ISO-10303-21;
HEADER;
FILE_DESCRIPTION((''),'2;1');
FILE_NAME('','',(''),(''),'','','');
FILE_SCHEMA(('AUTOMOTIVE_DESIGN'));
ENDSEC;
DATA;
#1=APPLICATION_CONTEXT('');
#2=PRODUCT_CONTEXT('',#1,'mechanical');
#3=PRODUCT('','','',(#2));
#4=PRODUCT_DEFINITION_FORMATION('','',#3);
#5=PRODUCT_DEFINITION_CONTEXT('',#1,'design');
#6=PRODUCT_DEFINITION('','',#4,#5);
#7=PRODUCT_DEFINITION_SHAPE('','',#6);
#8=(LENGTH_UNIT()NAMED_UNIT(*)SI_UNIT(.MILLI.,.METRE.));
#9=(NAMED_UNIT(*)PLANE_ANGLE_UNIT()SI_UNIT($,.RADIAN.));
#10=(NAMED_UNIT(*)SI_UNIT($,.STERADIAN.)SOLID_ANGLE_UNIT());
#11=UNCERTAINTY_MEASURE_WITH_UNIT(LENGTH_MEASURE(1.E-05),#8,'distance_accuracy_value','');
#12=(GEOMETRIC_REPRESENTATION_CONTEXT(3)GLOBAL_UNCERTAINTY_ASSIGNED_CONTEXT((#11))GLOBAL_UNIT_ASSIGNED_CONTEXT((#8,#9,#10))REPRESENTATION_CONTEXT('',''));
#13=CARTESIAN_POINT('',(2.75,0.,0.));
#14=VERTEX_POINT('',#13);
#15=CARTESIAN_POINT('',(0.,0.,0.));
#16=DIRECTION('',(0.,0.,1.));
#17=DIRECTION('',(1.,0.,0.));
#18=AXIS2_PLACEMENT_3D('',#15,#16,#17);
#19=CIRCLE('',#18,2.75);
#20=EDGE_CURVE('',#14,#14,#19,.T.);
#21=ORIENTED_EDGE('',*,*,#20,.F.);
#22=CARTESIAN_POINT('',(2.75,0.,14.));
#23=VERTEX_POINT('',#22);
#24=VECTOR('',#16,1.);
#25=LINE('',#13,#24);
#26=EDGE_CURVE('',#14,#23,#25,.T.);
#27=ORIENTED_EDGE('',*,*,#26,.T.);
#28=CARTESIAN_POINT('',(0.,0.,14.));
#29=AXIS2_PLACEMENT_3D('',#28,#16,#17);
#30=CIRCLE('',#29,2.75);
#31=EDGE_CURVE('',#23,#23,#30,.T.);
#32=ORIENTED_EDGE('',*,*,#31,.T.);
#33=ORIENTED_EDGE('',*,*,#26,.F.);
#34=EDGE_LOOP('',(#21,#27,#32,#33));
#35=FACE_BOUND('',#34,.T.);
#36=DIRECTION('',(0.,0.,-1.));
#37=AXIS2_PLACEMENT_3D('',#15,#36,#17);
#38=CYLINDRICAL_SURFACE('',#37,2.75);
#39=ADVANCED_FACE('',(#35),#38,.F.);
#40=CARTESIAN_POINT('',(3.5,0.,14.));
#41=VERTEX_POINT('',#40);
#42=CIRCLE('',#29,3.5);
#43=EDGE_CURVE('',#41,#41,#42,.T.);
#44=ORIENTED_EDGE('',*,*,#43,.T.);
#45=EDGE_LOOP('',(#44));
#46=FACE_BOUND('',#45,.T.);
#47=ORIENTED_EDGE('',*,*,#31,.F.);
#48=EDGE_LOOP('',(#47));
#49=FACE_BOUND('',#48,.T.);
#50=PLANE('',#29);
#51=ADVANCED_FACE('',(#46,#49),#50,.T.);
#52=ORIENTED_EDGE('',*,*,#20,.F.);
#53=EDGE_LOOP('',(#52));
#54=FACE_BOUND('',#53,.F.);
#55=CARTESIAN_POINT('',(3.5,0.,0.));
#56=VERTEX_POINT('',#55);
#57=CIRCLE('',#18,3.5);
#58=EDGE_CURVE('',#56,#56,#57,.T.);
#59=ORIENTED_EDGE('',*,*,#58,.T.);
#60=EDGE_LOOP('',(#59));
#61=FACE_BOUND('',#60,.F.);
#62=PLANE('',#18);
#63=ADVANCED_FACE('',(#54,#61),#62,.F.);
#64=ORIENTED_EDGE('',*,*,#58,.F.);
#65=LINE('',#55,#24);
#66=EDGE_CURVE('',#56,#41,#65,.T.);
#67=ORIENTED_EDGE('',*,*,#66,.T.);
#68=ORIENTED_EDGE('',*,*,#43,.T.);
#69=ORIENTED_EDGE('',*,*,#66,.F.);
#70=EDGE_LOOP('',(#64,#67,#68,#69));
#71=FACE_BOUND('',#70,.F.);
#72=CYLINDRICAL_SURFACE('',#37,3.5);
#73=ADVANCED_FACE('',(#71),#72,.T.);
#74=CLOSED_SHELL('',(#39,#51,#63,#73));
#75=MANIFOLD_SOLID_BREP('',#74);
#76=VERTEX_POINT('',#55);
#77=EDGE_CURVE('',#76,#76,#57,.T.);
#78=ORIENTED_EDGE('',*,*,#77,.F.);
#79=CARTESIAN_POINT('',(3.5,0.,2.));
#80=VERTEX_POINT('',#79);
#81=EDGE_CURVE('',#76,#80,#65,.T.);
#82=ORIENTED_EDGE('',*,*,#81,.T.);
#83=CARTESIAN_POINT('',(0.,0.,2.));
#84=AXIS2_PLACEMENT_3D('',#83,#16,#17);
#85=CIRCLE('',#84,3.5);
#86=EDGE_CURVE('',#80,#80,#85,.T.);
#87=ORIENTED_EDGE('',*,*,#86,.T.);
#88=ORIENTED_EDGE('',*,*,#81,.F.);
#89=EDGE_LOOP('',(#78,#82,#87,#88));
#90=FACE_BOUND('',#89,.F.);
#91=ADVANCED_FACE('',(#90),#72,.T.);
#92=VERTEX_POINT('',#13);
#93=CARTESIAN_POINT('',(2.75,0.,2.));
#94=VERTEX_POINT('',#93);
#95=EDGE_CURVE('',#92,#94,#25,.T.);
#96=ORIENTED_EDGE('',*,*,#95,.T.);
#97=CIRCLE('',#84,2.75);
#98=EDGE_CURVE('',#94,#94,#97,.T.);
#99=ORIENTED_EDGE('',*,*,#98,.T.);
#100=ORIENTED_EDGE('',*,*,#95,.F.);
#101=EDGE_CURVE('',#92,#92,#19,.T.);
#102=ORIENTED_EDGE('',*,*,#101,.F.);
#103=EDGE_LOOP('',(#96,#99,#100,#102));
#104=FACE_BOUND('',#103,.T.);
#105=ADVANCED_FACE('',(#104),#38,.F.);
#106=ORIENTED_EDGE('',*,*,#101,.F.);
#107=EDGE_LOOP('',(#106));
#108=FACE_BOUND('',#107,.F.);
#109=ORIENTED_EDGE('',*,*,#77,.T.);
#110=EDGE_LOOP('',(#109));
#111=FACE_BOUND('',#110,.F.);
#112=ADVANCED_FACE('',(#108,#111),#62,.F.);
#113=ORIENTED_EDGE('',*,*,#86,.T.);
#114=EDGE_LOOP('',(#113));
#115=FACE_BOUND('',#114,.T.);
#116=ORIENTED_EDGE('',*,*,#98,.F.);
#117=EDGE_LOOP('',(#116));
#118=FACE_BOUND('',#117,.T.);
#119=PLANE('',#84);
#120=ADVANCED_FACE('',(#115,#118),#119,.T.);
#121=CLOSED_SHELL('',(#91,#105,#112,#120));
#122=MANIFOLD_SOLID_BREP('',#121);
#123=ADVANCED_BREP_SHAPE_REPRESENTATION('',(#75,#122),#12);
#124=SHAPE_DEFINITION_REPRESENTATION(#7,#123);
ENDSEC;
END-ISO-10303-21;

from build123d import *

# Parameters (mm, degrees)
F0_R     = 3.5
F0_R_2   = 2.75
F1_DEPTH = 2
F2_DEPTH = 14


with BuildPart() as f1:
    # F0 (on Top) → F1 (new body)
    with BuildSketch(Plane.XY):
        Circle(F0_R)
        Circle(F0_R_2, mode=Mode.SUBTRACT)
    extrude(amount=F1_DEPTH)


with BuildPart() as f2:
    # F0 (on Top) → F2 (new body)
    with BuildSketch(Plane.XY):
        Circle(F0_R)
        Circle(F0_R_2, mode=Mode.SUBTRACT)
    extrude(amount=F2_DEPTH)


solid = Compound([f1.part, f2.part])
